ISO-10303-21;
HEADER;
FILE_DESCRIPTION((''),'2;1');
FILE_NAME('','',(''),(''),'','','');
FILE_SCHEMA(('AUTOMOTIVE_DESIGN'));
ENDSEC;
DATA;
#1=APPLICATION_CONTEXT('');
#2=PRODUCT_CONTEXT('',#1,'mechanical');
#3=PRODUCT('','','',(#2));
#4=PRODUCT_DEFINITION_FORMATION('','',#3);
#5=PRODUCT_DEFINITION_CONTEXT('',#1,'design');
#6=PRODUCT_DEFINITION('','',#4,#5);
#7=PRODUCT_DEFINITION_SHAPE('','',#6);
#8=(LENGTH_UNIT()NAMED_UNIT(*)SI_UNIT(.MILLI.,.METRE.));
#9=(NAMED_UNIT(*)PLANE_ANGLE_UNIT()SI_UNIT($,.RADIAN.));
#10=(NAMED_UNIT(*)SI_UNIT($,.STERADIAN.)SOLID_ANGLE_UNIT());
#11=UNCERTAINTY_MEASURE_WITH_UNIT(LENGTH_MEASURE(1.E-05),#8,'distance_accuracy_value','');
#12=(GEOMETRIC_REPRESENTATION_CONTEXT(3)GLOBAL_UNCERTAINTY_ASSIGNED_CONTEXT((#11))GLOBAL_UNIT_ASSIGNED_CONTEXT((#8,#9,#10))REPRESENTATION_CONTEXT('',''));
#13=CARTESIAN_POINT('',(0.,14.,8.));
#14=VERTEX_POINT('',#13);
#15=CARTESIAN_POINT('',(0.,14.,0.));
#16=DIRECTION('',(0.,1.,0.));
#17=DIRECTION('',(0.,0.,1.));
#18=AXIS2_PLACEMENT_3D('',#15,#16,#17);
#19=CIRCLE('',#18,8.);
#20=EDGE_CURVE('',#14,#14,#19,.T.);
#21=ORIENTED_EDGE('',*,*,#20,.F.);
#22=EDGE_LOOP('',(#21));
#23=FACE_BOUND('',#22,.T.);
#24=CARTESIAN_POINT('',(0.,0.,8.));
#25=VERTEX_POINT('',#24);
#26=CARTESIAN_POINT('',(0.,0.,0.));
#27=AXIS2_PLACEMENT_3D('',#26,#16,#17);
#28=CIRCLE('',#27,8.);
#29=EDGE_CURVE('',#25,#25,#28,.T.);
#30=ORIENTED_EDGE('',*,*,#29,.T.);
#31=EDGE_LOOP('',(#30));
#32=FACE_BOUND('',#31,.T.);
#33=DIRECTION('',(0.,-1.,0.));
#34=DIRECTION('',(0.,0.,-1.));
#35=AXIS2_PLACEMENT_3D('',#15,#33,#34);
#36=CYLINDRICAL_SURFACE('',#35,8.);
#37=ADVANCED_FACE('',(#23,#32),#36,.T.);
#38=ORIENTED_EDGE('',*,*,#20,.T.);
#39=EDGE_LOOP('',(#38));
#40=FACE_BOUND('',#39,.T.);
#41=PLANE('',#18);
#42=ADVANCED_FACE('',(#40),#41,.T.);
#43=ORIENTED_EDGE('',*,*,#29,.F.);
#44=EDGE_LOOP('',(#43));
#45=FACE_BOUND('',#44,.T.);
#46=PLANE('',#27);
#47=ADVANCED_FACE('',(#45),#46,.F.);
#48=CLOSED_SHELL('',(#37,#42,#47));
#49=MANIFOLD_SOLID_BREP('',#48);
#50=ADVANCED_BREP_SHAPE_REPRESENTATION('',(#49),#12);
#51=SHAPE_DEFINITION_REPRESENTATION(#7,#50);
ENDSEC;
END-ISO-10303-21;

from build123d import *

# Parameters (mm, degrees)
SKETCH1_R      = 8
EXTRUDE1_DEPTH = 14


with BuildPart() as part:
    # Sketch1 → Extrude1 (new body)
    with BuildSketch(Plane(origin=(0, 0, 0), x_dir=(1, 0, 0), z_dir=(0, 1, 0))):
        with Locations(Location((0, 0, 0), (0, 0, 270))):
            Circle(SKETCH1_R)
    extrude(amount=EXTRUDE1_DEPTH)


solid = part.part
